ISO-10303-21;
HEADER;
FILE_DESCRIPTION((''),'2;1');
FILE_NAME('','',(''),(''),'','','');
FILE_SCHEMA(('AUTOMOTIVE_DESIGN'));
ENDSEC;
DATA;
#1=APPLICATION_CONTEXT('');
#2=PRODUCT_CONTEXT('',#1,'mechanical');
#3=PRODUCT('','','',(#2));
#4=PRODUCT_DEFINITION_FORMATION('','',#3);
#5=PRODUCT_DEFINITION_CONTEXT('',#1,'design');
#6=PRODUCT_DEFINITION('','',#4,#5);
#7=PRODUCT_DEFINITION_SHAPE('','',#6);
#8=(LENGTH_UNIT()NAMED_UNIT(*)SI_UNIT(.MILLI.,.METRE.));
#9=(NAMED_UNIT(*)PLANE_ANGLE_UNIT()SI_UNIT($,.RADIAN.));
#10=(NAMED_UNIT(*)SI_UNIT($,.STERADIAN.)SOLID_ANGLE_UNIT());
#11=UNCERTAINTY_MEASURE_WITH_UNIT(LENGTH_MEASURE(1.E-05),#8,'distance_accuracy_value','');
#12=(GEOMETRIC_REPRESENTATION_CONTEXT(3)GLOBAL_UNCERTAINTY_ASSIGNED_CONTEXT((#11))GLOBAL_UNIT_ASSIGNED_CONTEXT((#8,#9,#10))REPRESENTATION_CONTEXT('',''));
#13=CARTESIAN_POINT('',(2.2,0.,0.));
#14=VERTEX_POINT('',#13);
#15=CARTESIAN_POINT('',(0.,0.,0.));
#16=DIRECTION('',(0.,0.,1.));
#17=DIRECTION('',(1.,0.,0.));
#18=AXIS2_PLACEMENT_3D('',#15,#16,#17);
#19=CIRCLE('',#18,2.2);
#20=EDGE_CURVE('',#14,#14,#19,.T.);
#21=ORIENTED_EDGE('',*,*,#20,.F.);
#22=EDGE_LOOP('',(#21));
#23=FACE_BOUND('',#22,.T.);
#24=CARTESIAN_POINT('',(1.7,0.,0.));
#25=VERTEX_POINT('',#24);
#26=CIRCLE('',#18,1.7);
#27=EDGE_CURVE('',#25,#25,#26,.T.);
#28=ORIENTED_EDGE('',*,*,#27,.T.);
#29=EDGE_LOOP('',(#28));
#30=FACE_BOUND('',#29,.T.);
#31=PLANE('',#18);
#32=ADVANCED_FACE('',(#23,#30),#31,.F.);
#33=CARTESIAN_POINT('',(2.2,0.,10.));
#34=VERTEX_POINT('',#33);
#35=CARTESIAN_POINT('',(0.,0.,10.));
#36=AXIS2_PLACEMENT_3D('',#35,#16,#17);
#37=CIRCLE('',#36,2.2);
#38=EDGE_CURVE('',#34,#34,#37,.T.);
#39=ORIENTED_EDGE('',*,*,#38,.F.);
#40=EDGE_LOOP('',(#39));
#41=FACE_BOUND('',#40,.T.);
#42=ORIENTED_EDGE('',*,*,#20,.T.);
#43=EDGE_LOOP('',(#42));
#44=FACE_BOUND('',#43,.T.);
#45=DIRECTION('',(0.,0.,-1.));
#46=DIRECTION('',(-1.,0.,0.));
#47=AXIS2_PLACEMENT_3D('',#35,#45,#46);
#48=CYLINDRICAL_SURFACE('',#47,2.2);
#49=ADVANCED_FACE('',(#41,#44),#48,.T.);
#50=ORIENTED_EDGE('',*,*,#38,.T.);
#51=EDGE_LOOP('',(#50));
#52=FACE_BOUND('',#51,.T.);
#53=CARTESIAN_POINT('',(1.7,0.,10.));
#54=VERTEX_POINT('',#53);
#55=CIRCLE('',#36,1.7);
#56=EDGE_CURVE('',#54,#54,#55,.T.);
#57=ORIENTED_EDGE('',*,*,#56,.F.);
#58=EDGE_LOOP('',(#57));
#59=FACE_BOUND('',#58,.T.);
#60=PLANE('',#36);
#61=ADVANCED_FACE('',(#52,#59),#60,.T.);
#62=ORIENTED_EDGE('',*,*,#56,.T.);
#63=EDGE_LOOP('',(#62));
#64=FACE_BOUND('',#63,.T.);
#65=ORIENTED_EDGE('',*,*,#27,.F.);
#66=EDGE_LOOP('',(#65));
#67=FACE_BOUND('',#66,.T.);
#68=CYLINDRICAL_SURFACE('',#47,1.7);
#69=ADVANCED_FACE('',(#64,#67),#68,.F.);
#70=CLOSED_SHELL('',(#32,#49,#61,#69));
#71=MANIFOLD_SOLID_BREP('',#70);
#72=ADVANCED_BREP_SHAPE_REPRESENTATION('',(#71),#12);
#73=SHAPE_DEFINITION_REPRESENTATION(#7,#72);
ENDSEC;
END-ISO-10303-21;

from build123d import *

# Parameters (mm, degrees)
CROQUIS1_R              = 2.2
CROQUIS1_R_2            = 1.7
SALIENTE_EXTRUIR1_DEPTH = 10


with BuildPart() as part:
    # Croquis1 → Saliente-Extruir1 (new body)
    with BuildSketch(Plane.XY):
        Circle(CROQUIS1_R)
        Circle(CROQUIS1_R_2, mode=Mode.SUBTRACT)
    extrude(amount=SALIENTE_EXTRUIR1_DEPTH)


solid = part.part
